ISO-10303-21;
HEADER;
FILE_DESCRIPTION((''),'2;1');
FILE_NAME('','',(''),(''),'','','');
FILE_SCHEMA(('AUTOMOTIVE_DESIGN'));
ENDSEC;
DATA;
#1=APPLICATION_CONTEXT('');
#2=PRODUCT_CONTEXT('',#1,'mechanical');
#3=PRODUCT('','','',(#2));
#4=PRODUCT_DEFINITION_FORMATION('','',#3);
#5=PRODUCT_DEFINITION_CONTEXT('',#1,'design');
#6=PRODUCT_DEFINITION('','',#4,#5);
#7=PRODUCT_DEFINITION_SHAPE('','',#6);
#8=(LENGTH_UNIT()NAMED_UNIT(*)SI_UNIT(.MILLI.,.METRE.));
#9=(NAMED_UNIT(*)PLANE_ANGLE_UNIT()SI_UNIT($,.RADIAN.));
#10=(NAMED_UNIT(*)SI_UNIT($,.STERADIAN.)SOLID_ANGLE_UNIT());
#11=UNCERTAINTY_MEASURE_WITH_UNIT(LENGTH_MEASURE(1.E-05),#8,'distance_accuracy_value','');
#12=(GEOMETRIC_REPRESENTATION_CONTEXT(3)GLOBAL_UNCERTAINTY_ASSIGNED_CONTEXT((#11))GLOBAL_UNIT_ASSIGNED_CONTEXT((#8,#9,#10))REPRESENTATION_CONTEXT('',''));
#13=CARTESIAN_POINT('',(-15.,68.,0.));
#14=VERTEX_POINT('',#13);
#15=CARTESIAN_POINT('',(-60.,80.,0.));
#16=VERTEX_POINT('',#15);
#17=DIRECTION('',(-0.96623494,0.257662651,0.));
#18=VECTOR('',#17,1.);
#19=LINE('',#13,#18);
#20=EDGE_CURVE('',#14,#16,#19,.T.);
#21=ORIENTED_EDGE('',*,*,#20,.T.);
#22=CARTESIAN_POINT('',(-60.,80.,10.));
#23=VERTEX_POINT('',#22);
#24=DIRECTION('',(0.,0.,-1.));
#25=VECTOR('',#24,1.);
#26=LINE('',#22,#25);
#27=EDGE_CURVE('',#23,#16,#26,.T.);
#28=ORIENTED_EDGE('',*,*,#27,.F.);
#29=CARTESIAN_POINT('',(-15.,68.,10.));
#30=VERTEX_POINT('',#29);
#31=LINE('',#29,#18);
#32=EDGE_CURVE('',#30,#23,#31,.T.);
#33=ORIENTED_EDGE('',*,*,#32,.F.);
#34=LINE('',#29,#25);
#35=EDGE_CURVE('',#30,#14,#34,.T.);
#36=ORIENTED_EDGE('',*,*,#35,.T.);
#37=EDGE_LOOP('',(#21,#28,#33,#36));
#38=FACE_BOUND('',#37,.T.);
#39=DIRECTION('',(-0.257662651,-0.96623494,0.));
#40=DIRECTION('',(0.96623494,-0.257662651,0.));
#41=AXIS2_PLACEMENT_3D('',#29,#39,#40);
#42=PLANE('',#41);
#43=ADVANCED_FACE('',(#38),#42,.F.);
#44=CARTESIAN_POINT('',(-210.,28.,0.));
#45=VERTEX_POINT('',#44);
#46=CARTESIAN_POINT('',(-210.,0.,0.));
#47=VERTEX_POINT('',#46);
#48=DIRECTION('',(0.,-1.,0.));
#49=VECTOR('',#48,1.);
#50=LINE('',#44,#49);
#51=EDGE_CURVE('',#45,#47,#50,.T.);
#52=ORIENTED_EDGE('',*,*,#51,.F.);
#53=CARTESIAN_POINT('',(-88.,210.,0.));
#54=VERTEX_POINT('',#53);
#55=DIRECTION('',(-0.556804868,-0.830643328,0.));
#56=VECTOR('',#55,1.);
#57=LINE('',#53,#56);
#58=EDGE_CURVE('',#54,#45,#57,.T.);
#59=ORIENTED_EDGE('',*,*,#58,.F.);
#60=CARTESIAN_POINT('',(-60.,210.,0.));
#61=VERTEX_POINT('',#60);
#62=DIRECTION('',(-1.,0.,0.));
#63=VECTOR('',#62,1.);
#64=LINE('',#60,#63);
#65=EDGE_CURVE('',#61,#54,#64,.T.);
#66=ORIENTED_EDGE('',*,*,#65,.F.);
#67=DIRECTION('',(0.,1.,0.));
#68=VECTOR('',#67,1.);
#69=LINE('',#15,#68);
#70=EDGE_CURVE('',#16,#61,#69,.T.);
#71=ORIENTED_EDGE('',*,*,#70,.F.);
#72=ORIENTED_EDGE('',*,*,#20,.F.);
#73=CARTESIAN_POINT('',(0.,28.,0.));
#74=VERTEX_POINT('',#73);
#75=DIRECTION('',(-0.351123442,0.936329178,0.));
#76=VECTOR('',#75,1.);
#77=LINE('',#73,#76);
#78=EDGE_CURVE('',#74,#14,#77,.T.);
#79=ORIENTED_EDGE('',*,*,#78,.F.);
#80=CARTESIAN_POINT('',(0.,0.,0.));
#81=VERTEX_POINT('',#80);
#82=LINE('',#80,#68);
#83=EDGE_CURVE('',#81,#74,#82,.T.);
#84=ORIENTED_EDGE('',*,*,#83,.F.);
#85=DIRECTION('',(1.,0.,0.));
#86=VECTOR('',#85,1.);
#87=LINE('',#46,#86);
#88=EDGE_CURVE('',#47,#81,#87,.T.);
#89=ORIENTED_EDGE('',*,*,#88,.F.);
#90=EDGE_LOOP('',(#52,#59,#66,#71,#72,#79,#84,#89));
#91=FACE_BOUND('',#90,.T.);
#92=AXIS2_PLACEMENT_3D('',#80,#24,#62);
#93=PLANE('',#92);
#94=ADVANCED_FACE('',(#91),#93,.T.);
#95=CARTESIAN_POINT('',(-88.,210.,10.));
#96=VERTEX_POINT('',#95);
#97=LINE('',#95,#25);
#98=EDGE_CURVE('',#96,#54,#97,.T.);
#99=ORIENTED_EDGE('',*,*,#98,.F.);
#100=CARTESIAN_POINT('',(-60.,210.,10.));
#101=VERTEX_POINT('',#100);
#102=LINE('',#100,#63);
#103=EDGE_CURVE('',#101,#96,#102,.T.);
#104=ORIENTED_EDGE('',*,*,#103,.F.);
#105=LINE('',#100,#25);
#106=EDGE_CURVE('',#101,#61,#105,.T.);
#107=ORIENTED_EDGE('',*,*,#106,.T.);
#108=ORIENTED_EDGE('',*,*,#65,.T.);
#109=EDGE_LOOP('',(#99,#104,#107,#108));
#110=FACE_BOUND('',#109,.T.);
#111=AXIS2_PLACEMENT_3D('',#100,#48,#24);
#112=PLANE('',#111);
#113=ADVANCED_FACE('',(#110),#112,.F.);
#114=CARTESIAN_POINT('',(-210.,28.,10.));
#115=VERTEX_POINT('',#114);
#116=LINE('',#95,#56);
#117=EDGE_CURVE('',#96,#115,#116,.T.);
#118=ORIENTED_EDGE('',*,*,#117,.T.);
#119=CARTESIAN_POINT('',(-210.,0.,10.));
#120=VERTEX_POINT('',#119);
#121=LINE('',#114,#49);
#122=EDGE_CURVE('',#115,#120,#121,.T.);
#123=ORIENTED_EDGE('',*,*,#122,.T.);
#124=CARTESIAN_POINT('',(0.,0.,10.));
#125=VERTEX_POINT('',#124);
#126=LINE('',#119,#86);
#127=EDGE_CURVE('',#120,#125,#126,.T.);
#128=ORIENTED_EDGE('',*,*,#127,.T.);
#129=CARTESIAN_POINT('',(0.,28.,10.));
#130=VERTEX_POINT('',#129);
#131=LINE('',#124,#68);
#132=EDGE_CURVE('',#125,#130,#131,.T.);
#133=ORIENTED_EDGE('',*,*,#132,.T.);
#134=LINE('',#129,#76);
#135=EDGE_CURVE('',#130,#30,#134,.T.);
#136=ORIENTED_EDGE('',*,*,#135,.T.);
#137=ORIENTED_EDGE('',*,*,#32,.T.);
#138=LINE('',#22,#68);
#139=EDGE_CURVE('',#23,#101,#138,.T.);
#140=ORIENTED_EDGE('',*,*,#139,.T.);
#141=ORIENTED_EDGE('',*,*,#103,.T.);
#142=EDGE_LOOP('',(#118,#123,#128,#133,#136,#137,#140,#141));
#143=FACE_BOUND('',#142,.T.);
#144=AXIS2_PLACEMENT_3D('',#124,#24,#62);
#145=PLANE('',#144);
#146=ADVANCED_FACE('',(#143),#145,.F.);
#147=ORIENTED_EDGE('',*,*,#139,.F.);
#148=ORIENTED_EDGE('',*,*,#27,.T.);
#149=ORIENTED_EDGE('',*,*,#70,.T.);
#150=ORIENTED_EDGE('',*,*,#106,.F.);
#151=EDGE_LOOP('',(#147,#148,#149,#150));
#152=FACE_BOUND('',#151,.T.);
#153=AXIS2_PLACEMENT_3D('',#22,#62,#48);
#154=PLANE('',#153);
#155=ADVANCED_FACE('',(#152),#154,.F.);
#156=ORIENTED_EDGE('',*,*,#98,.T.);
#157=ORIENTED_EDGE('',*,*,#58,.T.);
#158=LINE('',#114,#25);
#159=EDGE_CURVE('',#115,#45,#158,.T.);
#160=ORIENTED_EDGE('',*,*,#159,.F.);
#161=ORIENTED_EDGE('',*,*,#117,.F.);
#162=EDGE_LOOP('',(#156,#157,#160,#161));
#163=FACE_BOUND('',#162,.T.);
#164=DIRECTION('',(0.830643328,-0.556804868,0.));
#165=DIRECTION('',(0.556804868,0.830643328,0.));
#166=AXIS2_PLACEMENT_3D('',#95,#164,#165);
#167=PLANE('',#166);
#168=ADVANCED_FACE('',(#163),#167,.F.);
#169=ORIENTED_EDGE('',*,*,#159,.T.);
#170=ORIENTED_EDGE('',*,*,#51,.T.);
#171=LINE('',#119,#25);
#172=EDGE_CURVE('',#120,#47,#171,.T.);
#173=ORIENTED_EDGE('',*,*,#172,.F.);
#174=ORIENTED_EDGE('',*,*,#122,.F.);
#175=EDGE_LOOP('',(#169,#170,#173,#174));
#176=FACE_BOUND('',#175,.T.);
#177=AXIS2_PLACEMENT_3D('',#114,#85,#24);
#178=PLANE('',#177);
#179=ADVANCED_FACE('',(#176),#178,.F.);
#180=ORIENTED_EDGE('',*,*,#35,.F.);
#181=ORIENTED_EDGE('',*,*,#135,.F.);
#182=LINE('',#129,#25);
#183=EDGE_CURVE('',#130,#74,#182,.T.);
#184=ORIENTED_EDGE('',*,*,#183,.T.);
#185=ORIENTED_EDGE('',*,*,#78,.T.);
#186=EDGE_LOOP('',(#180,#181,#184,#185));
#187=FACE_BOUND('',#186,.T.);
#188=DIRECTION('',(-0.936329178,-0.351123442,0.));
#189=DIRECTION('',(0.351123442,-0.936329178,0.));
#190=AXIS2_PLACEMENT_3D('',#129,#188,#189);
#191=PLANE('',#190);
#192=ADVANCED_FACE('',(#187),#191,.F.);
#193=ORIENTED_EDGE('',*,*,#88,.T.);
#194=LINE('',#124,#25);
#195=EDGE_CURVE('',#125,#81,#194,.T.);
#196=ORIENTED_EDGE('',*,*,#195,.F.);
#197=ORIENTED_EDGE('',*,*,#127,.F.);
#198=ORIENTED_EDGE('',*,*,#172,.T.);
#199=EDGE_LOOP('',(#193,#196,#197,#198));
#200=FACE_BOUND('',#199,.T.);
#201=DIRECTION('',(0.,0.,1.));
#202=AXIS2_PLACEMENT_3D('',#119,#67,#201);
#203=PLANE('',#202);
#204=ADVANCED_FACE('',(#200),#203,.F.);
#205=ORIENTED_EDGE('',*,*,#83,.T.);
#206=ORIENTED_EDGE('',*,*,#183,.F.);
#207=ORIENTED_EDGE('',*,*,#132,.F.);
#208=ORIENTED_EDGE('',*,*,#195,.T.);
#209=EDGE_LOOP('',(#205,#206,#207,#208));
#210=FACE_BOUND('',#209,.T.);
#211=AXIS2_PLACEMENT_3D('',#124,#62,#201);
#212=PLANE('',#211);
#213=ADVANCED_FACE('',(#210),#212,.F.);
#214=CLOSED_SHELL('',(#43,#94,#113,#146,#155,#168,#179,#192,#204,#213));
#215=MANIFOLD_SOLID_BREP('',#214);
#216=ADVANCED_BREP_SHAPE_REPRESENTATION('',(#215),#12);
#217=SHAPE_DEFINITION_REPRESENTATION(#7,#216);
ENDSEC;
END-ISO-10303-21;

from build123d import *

# Parameters (mm, degrees)
Y_KSEKLIK_EKSTR_ZYON1_DEPTH = 10


with BuildPart() as part:
    # Çizim1 → Yükseklik-Ekstrüzyon1 (new body)
    with BuildSketch(Plane.XY):
        Polygon((-210, 28), (-210, 0), (0, 0), (0, 28), (-15, 68), (-60, 80), (-60, 210), (-88, 210), align=None)
    extrude(amount=Y_KSEKLIK_EKSTR_ZYON1_DEPTH)


solid = part.part
